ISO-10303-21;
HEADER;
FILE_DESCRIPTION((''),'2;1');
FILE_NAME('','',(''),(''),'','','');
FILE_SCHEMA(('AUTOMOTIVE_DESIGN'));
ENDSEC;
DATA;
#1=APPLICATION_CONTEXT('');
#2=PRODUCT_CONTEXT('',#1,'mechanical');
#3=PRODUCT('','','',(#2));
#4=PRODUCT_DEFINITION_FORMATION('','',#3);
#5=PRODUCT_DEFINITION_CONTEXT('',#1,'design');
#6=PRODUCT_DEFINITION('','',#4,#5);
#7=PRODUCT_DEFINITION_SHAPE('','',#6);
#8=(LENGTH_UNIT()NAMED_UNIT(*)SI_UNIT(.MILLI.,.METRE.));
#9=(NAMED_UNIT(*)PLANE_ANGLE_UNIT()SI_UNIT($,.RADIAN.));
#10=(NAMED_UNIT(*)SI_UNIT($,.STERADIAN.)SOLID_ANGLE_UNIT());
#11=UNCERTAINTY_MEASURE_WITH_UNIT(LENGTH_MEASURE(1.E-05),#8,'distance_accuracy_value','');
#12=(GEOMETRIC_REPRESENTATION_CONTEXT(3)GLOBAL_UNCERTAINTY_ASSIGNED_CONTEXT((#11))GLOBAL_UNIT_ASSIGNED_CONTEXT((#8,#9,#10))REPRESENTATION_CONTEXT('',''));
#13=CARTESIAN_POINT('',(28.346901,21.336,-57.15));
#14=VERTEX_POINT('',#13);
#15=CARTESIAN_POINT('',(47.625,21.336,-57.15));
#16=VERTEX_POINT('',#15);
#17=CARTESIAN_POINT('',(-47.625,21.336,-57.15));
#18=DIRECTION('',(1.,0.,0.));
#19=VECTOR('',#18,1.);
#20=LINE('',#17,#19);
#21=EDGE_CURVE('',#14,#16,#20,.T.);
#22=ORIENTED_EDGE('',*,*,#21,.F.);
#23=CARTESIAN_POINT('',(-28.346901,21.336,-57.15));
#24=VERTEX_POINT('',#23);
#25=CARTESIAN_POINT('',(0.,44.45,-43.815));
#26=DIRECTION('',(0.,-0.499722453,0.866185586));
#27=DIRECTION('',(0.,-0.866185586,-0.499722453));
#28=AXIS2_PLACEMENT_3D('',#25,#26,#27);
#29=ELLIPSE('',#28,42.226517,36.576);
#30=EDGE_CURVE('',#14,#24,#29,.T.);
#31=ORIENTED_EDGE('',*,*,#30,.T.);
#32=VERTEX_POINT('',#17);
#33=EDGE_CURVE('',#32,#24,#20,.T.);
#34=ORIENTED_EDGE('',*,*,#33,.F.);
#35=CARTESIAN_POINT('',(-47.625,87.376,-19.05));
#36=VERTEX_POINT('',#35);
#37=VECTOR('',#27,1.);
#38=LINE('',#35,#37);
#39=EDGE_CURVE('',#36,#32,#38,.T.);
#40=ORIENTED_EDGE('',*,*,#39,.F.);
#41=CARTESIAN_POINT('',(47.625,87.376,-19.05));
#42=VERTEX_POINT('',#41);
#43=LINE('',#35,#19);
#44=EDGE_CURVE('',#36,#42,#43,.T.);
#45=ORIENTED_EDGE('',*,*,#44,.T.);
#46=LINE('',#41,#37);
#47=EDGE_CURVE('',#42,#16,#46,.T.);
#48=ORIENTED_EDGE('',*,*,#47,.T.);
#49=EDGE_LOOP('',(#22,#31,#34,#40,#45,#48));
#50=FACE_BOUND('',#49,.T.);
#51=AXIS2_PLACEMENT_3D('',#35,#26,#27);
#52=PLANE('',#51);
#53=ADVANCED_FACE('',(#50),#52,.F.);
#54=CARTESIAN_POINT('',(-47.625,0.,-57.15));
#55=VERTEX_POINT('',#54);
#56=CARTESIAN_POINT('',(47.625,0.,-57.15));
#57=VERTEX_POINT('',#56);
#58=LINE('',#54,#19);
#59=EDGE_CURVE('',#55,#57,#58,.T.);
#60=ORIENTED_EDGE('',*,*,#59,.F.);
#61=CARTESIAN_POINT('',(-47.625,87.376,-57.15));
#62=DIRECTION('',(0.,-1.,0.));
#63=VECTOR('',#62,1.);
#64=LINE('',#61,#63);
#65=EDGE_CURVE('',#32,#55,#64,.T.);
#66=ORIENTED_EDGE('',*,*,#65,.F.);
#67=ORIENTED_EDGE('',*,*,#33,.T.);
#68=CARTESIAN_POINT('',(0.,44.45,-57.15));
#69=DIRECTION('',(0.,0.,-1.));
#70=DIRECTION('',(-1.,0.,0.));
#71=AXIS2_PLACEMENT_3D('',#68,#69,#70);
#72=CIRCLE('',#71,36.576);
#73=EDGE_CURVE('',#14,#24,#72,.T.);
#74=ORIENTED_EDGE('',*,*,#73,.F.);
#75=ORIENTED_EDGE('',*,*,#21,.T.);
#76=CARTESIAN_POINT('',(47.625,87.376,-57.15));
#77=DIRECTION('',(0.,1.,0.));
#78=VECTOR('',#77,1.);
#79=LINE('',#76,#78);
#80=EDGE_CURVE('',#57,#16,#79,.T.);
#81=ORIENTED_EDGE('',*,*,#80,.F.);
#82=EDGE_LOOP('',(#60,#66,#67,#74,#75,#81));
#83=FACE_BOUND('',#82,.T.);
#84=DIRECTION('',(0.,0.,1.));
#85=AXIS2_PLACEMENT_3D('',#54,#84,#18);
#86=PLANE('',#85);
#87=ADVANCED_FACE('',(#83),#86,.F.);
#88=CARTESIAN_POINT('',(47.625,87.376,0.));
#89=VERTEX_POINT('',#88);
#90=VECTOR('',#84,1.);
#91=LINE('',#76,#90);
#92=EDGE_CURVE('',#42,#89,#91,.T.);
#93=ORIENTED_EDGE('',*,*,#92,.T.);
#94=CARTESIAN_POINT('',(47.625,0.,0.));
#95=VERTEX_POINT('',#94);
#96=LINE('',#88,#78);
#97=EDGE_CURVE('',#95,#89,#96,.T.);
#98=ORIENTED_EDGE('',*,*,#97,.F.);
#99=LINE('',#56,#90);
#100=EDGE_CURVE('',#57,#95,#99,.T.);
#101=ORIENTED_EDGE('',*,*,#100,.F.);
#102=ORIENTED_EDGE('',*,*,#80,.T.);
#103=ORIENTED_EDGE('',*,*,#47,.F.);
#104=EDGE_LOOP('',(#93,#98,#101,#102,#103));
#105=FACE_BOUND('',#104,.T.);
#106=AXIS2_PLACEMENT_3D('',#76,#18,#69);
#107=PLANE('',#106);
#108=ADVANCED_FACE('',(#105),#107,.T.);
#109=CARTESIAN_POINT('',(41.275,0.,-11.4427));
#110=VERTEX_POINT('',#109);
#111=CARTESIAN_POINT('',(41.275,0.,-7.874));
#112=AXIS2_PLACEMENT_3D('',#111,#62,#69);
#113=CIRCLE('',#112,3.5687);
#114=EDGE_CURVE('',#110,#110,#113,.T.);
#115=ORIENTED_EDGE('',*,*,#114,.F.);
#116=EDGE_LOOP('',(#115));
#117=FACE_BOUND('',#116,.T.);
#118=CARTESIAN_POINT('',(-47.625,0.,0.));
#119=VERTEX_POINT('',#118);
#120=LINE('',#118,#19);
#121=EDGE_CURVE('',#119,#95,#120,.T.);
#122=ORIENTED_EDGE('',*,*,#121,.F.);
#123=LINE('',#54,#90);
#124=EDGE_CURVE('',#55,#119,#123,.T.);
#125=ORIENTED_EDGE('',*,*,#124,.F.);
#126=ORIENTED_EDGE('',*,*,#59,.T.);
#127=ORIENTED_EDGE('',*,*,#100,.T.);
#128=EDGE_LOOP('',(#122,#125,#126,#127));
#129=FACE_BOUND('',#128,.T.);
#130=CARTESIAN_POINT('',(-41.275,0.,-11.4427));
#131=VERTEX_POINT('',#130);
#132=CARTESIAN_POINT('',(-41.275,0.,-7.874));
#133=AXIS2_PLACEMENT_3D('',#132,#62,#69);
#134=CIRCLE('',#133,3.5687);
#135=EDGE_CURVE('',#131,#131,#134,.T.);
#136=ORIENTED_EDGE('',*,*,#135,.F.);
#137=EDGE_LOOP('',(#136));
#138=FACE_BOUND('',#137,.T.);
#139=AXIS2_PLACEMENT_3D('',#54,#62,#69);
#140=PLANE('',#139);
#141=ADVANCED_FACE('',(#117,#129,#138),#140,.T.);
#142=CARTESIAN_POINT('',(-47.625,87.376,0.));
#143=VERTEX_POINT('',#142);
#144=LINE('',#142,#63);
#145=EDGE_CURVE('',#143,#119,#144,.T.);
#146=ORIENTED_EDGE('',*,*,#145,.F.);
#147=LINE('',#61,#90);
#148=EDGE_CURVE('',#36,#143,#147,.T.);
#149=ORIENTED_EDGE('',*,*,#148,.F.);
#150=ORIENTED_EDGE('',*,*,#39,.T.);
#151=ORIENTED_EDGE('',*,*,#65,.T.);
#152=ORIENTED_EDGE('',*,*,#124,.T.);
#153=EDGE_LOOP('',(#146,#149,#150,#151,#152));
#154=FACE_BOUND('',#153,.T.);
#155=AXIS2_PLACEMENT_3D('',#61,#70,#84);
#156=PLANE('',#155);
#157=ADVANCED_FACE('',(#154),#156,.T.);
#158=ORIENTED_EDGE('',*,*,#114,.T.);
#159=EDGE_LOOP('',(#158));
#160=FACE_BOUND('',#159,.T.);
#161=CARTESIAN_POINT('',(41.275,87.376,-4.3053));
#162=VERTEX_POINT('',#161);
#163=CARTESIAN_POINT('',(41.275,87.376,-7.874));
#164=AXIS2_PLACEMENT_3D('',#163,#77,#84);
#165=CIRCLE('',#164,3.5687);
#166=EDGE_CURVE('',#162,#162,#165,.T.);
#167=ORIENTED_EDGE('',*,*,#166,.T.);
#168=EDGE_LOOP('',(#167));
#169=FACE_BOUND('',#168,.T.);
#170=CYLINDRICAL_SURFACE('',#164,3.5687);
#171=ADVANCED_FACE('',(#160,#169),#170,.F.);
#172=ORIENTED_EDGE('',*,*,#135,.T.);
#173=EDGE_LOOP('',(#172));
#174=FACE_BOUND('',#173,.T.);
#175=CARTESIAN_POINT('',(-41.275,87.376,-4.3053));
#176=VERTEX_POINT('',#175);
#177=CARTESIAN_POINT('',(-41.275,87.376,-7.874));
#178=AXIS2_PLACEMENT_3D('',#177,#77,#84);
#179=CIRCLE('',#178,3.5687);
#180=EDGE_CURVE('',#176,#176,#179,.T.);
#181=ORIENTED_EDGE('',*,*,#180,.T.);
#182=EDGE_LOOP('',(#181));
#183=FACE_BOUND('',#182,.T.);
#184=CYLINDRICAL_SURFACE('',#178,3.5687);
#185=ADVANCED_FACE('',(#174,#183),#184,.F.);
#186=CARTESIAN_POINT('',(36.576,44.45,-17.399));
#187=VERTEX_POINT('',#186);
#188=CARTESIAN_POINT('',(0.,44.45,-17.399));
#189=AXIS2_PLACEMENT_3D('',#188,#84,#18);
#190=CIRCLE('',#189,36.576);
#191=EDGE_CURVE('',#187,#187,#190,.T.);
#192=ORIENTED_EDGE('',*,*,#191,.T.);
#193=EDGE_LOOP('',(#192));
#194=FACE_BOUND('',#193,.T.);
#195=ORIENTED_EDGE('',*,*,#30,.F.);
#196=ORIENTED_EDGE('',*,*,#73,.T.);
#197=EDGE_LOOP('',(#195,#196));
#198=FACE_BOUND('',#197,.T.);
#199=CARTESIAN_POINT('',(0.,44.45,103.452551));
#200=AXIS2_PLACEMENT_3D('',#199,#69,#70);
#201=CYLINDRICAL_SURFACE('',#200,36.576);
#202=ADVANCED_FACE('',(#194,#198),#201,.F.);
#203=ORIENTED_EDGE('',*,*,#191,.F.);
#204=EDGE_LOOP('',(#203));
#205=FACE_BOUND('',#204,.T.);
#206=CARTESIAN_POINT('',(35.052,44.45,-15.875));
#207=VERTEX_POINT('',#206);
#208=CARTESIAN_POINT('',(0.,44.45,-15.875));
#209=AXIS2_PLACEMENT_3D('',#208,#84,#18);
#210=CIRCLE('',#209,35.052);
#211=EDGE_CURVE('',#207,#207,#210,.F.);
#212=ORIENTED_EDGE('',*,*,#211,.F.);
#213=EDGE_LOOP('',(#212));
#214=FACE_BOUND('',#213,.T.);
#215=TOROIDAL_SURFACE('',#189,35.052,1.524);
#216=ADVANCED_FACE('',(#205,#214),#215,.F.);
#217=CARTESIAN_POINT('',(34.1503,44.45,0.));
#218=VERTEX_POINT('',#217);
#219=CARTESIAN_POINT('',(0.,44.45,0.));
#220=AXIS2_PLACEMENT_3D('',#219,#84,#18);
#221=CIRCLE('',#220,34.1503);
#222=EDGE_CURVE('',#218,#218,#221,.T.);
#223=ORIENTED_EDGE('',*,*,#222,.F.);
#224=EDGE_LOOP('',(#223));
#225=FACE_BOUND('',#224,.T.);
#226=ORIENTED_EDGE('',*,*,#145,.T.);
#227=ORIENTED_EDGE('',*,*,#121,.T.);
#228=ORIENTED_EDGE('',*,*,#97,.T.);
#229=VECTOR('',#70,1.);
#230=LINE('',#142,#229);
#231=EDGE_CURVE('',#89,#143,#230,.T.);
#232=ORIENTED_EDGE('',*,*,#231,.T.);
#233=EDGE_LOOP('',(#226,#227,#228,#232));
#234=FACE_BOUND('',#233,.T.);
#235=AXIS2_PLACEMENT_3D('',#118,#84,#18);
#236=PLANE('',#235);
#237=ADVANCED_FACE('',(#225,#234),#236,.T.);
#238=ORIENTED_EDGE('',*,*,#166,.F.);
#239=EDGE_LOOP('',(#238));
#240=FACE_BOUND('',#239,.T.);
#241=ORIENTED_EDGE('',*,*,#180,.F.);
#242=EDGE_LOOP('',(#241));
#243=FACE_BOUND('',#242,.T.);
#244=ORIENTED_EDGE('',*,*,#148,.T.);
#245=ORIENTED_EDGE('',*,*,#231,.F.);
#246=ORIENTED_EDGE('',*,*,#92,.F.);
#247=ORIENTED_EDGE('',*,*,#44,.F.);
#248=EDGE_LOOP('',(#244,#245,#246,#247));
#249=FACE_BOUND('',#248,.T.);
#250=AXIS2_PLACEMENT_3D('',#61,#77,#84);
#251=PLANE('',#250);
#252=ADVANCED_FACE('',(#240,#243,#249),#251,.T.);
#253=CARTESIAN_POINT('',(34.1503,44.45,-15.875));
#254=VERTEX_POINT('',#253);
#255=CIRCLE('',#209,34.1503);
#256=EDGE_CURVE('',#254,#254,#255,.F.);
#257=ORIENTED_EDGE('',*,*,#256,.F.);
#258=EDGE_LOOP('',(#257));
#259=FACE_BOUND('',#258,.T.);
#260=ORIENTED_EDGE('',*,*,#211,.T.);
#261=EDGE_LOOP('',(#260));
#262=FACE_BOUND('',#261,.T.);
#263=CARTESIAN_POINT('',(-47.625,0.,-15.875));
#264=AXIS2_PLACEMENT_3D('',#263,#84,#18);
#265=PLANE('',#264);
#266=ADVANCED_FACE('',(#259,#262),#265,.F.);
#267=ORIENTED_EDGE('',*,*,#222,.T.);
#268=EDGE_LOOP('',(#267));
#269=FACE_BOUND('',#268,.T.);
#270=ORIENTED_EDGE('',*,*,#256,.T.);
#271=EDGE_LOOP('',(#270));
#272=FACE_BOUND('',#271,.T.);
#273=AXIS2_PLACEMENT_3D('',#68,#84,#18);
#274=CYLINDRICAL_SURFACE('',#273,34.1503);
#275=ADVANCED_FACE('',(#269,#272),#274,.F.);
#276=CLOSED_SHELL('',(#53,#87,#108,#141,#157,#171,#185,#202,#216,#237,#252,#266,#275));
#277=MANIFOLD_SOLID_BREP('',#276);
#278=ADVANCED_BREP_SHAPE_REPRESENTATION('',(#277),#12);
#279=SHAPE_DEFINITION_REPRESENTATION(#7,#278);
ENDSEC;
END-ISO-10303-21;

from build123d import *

# Parameters (mm, degrees)
SKETCH1_W          = 95.25
SKETCH1_H          = 87.376
SKETCH1_R          = 34.1503
EXTRUDE1_DEPTH     = 57.15
CUT_EXTRUDE1_DEPTH = 96.25
SKETCH3_R          = 36.576
CUT_EXTRUDE2_DEPTH = 41.275
FILLET1_R          = 1.524
HOLE1_D            = 7.1374
HOLE1_DEPTH        = 87.376


with BuildPart() as part:
    # Sketch1 → Extrude1 (new body)
    with BuildSketch(Plane.XY):
        with Locations((0, 43.688)):
            Rectangle(SKETCH1_W, SKETCH1_H)
        with Locations((0, 44.45)):
            Circle(SKETCH1_R, mode=Mode.SUBTRACT)
    extrude(amount=-EXTRUDE1_DEPTH)

    # Sketch2 → Cut-Extrude1 (cut, through all)
    with BuildSketch(Plane(origin=(47.625, 0, 0), x_dir=(0, 0, -1), z_dir=(1, 0, 0))):
        Polygon((19.05, 87.376), (57.15, 21.336), (57.15, 87.376), align=None)
    extrude(amount=-CUT_EXTRUDE1_DEPTH, mode=Mode.SUBTRACT)

    # Sketch3 → Cut-Extrude2 (cut)
    with BuildSketch(Plane(origin=(0, 0, -57.15), x_dir=(-1, 0, 0), z_dir=(0, 0, -1))):
        with Locations(Location((0, 44.45, 0), (0, 0, 320.806273741))):  # turned: the seam where the file's is
            Circle(SKETCH3_R)
    extrude(amount=-CUT_EXTRUDE2_DEPTH, mode=Mode.SUBTRACT)

    # Fillet1
    fillet1_edges = [part.edges().sort_by_distance(p)[0] for p in [
        (28.346900713, 67.564, -15.875),
    ]]
    fillet(fillet1_edges, radius=FILLET1_R)

    # Hole1
    with Locations(Plane(origin=(0, 87.376, 0), x_dir=(-1, 0, 0), z_dir=(0, 1, 0))):
        with Locations((41.275, -7.874), (-41.275, -7.874)):
            Hole(HOLE1_D / 2, depth=HOLE1_DEPTH)


solid = part.part
